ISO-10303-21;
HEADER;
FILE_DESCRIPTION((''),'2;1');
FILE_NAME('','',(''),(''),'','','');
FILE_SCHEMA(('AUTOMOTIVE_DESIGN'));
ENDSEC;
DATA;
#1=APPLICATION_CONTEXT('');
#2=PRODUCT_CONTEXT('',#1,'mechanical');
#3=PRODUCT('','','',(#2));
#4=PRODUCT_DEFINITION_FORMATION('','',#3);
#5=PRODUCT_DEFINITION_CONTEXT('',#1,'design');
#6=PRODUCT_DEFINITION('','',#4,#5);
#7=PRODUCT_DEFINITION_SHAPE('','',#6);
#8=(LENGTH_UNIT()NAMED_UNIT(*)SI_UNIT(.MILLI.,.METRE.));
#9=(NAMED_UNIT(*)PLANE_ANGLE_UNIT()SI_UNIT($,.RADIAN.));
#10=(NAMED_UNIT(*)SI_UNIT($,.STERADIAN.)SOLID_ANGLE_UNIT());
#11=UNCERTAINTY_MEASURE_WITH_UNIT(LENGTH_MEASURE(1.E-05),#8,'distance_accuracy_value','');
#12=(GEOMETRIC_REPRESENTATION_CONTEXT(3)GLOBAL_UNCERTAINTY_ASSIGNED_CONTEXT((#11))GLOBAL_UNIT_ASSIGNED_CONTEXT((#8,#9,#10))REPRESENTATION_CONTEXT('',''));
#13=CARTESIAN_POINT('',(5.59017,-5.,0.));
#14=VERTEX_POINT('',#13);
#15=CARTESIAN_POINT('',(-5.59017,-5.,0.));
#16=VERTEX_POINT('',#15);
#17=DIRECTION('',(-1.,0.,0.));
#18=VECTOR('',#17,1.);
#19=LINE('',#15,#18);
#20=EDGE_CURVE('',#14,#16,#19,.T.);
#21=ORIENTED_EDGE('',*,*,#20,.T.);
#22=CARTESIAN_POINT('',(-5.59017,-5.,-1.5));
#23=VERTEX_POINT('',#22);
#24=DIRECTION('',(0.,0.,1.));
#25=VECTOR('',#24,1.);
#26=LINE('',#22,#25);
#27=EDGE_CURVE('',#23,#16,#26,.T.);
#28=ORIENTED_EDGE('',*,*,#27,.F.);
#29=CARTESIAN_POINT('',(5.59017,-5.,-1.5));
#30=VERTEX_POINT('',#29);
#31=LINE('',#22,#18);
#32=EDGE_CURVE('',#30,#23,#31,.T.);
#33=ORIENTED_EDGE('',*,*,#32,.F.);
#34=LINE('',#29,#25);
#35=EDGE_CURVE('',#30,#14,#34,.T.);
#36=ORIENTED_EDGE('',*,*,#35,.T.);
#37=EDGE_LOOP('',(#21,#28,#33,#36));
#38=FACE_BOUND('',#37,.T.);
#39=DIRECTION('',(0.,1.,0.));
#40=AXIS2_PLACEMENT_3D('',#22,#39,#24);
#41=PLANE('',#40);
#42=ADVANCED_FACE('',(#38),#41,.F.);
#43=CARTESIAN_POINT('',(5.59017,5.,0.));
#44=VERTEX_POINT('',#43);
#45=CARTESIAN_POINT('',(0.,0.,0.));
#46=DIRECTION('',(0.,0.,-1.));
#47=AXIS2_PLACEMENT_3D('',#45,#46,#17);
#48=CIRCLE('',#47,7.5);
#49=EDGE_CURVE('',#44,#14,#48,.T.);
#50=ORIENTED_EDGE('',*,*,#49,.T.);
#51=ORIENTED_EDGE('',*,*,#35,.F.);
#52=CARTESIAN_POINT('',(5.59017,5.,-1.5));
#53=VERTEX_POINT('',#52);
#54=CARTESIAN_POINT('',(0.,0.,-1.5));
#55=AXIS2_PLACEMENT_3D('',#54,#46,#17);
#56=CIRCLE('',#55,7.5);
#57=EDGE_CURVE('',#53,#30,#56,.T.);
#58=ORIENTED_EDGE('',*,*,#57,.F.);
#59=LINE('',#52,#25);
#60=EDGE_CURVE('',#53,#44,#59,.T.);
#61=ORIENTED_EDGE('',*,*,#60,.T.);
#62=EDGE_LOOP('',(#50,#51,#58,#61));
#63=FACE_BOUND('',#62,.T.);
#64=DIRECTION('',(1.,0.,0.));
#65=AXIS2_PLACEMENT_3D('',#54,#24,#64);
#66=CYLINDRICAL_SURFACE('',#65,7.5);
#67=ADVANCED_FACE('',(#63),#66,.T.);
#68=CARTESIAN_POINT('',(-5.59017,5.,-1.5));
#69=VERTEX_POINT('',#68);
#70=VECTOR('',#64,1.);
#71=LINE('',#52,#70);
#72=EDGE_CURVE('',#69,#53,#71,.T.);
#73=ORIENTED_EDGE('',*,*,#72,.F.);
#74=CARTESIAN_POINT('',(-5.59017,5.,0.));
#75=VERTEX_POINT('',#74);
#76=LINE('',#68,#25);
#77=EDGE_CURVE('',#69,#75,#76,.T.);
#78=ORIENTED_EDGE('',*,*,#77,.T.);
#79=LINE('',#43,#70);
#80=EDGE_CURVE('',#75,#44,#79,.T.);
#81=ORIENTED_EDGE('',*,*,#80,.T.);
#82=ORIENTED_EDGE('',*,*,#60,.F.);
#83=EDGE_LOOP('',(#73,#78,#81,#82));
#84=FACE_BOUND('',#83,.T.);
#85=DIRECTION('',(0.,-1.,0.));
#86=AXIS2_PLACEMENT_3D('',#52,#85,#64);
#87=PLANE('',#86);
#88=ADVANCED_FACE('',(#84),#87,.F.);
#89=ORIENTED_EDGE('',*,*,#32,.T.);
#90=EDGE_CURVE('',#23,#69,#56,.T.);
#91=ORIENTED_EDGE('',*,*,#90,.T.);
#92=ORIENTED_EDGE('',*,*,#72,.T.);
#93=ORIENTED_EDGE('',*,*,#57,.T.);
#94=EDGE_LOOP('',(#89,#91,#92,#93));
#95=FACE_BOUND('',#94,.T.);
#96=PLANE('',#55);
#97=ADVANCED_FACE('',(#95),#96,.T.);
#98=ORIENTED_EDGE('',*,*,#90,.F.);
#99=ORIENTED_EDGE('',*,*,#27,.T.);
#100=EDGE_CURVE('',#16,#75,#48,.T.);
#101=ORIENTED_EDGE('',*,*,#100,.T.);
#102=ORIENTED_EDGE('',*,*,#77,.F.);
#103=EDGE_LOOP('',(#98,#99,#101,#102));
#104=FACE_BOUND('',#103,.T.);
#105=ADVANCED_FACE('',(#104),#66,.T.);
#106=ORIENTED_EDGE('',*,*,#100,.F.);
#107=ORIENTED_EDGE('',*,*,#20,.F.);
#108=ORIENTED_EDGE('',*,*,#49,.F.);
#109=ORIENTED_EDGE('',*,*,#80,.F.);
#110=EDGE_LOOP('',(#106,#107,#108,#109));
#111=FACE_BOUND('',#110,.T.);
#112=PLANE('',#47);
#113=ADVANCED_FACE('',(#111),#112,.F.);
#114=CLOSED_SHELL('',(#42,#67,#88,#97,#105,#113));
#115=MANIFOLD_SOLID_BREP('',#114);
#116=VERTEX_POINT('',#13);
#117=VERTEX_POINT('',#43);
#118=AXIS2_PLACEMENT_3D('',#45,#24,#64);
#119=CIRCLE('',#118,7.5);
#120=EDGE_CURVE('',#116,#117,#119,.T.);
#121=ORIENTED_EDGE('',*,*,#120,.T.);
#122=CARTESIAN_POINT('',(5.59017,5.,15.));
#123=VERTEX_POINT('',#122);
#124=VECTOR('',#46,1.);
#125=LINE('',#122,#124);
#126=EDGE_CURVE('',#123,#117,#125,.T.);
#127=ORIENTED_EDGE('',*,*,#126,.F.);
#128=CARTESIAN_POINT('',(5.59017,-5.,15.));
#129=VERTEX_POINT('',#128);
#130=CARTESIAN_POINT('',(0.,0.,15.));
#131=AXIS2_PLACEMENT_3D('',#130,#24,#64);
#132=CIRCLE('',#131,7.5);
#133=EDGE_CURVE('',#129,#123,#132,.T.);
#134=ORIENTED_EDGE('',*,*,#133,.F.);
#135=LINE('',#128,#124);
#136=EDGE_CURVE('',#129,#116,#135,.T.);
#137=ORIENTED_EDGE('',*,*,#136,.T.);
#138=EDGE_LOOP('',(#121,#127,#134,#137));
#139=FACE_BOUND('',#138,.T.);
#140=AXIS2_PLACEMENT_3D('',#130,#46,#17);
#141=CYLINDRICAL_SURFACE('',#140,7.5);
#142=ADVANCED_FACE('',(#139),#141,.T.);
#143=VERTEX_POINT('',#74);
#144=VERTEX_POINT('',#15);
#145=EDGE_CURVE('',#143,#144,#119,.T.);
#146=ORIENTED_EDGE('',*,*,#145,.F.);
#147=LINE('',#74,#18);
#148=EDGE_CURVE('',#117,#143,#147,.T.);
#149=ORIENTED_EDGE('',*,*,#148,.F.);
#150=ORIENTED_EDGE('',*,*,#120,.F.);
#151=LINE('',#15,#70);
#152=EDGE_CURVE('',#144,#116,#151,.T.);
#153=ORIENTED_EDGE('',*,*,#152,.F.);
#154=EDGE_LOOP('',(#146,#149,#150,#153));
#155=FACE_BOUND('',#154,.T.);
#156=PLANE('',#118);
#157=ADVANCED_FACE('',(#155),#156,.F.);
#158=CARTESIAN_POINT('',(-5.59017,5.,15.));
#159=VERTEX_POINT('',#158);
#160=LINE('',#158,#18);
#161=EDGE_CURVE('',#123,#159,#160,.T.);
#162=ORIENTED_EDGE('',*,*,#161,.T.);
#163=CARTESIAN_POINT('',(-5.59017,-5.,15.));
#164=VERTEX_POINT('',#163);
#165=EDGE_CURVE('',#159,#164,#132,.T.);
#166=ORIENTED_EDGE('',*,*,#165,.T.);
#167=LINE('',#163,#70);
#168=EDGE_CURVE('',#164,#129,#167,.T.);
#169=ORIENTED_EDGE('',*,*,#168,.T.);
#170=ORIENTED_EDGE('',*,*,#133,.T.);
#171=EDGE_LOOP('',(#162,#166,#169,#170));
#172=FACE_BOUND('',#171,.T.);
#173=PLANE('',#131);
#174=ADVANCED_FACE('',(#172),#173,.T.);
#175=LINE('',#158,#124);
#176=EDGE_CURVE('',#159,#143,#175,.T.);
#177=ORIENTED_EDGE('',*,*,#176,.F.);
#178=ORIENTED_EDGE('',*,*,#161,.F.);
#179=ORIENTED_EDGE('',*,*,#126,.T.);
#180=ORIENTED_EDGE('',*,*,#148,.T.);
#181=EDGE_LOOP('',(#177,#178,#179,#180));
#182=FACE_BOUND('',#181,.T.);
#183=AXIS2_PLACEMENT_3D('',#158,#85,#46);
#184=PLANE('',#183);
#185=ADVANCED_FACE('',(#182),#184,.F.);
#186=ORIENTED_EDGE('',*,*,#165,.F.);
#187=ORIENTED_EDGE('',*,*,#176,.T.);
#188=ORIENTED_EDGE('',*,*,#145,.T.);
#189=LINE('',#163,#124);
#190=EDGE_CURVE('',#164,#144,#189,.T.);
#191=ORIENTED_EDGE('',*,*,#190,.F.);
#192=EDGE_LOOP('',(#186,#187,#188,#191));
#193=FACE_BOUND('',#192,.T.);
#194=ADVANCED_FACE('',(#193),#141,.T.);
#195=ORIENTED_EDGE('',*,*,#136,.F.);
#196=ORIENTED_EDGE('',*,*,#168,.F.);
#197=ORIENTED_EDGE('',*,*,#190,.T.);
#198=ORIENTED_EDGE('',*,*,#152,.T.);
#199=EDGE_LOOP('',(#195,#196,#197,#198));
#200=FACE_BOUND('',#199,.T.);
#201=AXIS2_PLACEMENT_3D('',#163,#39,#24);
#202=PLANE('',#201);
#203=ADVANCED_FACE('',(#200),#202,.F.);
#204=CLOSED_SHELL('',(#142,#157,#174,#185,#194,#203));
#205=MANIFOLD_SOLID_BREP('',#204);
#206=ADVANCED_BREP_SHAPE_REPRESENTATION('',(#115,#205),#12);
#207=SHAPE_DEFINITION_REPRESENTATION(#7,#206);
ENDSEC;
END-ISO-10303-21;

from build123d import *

# Parameters (mm, degrees)
BOSS_EXTRUDE1_DEPTH = 15
BOSS_EXTRUDE2_DEPTH = 1.5


with BuildPart() as part:
    # Sketch1 → Boss-Extrude1 (new body)
    with BuildSketch(Plane.XY):
        with BuildLine():
            Line((-5.590169944, -5), (5.590169944, -5))
            ThreePointArc((5.590169944, -5), (7.5, 0), (5.590169944, 5))
            Line((5.590169944, 5), (-5.590169944, 5))
            ThreePointArc((-5.590169944, 5), (-7.5, 0), (-5.590169944, -5))
        make_face()
    extrude(amount=BOSS_EXTRUDE1_DEPTH)


with BuildPart() as body_2:
    # Sketch2 → Boss-Extrude2 (new body)
    with BuildSketch(Plane(origin=(0, 0, 0), x_dir=(-1, 0, 0), z_dir=(0, 0, -1))):
        with BuildLine():
            Line((5.590169944, -5), (-5.590169944, -5))
            ThreePointArc((-5.590169944, -5), (-7.5, 0), (-5.590169944, 5))
            Line((-5.590169944, 5), (5.590169944, 5))
            ThreePointArc((5.590169944, 5), (7.5, 0), (5.590169944, -5))
        make_face()
    extrude(amount=BOSS_EXTRUDE2_DEPTH)


solid = Compound([part.part, body_2.part])
